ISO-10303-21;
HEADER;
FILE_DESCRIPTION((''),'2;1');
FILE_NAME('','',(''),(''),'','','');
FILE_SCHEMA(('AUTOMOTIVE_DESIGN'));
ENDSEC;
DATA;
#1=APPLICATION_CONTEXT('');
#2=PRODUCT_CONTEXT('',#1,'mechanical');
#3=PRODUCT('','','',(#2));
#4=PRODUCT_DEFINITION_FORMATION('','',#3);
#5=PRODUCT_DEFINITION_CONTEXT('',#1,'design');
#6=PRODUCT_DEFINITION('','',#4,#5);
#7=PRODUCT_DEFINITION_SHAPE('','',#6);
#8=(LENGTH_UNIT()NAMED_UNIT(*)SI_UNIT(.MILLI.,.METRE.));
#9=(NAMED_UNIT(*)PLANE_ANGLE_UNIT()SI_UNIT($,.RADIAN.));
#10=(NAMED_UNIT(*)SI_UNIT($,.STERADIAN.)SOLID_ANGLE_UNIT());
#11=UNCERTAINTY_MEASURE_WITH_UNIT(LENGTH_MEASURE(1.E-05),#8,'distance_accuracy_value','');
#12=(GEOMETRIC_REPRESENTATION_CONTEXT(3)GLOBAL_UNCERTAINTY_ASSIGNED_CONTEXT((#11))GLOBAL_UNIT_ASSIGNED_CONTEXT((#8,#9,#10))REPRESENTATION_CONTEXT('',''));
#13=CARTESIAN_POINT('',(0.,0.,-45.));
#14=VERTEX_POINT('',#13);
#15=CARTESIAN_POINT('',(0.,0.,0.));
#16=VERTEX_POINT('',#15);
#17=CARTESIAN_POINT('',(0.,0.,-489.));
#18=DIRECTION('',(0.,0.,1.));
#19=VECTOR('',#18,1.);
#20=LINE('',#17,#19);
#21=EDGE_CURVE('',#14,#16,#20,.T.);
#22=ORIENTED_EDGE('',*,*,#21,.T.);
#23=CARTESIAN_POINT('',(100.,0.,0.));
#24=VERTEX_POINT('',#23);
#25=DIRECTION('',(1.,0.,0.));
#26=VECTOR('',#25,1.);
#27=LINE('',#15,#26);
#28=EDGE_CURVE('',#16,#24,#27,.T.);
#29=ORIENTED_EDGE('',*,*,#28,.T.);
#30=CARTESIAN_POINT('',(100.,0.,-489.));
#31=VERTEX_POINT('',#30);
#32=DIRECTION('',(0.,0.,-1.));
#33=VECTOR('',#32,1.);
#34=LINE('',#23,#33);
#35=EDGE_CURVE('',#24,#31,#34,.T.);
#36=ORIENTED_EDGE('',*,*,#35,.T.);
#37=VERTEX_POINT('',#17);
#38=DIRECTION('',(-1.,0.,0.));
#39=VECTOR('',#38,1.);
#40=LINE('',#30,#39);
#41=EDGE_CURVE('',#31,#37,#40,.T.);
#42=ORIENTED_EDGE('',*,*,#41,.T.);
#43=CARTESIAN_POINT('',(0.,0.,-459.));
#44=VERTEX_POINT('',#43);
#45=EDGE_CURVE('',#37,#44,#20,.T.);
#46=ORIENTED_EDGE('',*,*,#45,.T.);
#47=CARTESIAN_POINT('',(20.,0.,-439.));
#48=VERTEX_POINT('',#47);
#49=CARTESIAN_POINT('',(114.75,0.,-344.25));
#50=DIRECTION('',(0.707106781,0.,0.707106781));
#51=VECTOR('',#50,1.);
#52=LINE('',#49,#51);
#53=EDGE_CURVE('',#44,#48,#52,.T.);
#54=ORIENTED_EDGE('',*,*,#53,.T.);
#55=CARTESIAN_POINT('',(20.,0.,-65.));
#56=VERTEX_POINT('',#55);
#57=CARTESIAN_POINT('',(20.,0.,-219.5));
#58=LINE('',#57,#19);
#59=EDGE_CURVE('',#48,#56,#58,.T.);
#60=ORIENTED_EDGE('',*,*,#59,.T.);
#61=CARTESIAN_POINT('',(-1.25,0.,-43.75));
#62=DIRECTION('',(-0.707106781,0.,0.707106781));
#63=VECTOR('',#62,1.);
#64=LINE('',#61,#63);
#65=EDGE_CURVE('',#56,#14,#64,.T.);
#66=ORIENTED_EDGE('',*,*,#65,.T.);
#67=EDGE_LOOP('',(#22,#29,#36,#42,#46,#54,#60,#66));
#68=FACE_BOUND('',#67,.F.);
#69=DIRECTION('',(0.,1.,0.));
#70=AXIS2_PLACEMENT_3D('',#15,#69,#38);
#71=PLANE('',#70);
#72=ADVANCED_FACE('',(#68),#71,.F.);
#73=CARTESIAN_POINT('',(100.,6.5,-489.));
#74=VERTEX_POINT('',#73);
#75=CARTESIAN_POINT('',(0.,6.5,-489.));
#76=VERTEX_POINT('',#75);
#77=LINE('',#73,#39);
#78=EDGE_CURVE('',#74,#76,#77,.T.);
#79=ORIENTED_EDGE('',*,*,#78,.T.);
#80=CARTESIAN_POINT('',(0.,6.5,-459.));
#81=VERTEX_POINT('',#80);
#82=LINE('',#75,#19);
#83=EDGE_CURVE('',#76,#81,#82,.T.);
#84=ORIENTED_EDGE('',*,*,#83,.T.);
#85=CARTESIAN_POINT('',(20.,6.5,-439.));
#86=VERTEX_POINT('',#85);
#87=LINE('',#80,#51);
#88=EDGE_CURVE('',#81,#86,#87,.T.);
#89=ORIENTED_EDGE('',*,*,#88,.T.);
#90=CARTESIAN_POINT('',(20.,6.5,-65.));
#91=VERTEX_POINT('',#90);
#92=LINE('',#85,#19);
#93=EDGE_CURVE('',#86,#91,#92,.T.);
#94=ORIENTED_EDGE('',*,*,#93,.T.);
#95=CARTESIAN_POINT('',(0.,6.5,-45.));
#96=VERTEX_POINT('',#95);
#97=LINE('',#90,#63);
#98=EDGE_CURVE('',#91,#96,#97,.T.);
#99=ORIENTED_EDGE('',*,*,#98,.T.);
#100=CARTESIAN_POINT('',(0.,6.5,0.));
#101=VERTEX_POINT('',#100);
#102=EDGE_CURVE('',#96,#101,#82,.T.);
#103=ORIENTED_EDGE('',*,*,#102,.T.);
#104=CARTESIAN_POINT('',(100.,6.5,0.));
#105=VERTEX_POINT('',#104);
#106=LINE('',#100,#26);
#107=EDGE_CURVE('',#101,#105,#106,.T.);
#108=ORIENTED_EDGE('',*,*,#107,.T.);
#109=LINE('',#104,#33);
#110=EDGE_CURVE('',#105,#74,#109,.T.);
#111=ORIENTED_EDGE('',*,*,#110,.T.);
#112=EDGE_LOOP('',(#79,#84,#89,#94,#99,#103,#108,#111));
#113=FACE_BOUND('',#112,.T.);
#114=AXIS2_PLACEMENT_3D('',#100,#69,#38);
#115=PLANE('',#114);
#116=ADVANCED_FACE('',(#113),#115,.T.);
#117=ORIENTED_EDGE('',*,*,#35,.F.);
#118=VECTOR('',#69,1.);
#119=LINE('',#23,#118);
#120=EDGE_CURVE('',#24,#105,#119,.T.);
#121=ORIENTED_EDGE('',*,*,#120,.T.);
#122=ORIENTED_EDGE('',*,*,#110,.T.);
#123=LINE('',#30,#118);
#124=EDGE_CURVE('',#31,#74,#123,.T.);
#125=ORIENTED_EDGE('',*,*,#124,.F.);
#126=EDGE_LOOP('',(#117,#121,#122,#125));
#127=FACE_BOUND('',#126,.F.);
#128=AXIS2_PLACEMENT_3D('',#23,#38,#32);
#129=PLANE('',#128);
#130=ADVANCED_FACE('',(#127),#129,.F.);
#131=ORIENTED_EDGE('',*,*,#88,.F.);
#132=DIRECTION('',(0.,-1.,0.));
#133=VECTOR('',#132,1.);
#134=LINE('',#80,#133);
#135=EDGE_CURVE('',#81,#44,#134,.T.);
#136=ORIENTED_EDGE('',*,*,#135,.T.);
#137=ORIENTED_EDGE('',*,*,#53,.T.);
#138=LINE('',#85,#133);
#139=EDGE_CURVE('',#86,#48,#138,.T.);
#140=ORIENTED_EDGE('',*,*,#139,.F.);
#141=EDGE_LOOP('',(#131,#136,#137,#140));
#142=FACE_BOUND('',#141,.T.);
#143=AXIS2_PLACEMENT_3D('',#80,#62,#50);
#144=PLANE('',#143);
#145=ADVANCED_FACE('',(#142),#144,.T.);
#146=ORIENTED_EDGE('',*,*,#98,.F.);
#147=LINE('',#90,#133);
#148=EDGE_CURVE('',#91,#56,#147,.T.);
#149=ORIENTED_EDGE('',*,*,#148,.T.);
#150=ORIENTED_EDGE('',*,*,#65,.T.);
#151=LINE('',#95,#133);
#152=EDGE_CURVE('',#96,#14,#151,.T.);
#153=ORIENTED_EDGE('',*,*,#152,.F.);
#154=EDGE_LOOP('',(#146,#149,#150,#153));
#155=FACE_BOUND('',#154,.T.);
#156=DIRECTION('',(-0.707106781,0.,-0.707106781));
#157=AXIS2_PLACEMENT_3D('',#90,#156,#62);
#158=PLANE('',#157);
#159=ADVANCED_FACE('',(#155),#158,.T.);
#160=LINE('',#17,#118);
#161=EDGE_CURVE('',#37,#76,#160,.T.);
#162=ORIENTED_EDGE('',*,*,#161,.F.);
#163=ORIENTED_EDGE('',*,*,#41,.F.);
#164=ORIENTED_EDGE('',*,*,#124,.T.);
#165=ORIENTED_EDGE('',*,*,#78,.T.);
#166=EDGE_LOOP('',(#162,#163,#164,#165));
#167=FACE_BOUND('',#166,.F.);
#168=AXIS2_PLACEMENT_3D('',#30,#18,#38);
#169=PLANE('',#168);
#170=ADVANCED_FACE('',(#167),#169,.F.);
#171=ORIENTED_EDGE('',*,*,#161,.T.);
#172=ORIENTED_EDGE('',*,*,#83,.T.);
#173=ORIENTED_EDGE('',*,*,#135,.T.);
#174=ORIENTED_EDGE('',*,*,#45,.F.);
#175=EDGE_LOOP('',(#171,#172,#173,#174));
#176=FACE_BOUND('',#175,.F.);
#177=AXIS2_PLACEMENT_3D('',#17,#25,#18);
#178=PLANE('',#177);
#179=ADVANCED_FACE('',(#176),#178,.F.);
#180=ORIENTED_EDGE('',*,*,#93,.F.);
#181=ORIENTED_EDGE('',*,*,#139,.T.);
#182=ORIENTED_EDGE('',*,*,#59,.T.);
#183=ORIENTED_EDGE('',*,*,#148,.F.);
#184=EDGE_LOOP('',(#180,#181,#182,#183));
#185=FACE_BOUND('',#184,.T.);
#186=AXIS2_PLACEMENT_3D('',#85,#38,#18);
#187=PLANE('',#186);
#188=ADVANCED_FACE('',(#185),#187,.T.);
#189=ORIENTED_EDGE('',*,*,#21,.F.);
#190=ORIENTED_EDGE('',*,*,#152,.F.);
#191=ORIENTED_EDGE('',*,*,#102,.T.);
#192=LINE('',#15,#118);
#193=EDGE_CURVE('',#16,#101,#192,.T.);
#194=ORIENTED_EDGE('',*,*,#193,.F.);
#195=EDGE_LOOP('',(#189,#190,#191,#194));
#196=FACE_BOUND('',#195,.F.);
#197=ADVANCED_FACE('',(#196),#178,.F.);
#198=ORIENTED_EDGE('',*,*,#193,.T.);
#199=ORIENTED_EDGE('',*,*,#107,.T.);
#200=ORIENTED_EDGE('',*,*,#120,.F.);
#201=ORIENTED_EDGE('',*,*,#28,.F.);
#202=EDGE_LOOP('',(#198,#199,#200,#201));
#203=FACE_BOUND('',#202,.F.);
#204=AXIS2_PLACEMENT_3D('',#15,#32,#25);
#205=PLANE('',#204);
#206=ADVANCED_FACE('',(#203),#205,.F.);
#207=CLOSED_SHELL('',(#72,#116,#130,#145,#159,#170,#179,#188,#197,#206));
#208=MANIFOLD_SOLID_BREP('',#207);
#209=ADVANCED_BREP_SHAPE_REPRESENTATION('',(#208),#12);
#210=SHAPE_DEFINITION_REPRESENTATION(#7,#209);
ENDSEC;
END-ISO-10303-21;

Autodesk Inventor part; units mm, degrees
ref_plane "YZ Plane" through (0, 0, 0) normal (1, 0, 0) x (0, 1, 0)
ref_plane "XZ Plane" through (0, 0, 0) normal (0, 1, 0) x (-1, 0, 0)
ref_plane "XY Plane" through (0, 0, 0) normal (0, 0, 1) x (1, 0, 0)
sketch "Sketch1" plane through (0, 0, 0) normal (0, 1, 0) x (-1, 0, 0)
  line L0 (0, 0) -> (-100, 0)
  line L1 (-100, 0) -> (-100, -489)
  line L2 (-100, -489) -> (0, -489)
  line L3 (0, -489) -> (0, 0)
  dimension "d0" = 489
  dimension "d1" = 100
extrude "Extrusion1" add sketch "Sketch1" along normal blind 6.5
sketch "Sketch2" plane through (0, 6.5, 0) normal (0, 1, 0) x (1, 0, 0)
  line L0 (0, 489) -> (0, 0) projected
  line L1 (0, 459) -> (20, 439)
  line L2 (20, 439) -> (20, 65)
  line L3 (20, 65) -> (0, 45)
  line L4 (0, 459) -> (0, 45)
  dimension "d4" = 45
  dimension "d5" = 20
  dimension "d6" = 30
  dimension "d7" = 45
extrude "Extrusion2" cut sketch "Sketch2" against normal through all
properties part number "inner_brace_right"
